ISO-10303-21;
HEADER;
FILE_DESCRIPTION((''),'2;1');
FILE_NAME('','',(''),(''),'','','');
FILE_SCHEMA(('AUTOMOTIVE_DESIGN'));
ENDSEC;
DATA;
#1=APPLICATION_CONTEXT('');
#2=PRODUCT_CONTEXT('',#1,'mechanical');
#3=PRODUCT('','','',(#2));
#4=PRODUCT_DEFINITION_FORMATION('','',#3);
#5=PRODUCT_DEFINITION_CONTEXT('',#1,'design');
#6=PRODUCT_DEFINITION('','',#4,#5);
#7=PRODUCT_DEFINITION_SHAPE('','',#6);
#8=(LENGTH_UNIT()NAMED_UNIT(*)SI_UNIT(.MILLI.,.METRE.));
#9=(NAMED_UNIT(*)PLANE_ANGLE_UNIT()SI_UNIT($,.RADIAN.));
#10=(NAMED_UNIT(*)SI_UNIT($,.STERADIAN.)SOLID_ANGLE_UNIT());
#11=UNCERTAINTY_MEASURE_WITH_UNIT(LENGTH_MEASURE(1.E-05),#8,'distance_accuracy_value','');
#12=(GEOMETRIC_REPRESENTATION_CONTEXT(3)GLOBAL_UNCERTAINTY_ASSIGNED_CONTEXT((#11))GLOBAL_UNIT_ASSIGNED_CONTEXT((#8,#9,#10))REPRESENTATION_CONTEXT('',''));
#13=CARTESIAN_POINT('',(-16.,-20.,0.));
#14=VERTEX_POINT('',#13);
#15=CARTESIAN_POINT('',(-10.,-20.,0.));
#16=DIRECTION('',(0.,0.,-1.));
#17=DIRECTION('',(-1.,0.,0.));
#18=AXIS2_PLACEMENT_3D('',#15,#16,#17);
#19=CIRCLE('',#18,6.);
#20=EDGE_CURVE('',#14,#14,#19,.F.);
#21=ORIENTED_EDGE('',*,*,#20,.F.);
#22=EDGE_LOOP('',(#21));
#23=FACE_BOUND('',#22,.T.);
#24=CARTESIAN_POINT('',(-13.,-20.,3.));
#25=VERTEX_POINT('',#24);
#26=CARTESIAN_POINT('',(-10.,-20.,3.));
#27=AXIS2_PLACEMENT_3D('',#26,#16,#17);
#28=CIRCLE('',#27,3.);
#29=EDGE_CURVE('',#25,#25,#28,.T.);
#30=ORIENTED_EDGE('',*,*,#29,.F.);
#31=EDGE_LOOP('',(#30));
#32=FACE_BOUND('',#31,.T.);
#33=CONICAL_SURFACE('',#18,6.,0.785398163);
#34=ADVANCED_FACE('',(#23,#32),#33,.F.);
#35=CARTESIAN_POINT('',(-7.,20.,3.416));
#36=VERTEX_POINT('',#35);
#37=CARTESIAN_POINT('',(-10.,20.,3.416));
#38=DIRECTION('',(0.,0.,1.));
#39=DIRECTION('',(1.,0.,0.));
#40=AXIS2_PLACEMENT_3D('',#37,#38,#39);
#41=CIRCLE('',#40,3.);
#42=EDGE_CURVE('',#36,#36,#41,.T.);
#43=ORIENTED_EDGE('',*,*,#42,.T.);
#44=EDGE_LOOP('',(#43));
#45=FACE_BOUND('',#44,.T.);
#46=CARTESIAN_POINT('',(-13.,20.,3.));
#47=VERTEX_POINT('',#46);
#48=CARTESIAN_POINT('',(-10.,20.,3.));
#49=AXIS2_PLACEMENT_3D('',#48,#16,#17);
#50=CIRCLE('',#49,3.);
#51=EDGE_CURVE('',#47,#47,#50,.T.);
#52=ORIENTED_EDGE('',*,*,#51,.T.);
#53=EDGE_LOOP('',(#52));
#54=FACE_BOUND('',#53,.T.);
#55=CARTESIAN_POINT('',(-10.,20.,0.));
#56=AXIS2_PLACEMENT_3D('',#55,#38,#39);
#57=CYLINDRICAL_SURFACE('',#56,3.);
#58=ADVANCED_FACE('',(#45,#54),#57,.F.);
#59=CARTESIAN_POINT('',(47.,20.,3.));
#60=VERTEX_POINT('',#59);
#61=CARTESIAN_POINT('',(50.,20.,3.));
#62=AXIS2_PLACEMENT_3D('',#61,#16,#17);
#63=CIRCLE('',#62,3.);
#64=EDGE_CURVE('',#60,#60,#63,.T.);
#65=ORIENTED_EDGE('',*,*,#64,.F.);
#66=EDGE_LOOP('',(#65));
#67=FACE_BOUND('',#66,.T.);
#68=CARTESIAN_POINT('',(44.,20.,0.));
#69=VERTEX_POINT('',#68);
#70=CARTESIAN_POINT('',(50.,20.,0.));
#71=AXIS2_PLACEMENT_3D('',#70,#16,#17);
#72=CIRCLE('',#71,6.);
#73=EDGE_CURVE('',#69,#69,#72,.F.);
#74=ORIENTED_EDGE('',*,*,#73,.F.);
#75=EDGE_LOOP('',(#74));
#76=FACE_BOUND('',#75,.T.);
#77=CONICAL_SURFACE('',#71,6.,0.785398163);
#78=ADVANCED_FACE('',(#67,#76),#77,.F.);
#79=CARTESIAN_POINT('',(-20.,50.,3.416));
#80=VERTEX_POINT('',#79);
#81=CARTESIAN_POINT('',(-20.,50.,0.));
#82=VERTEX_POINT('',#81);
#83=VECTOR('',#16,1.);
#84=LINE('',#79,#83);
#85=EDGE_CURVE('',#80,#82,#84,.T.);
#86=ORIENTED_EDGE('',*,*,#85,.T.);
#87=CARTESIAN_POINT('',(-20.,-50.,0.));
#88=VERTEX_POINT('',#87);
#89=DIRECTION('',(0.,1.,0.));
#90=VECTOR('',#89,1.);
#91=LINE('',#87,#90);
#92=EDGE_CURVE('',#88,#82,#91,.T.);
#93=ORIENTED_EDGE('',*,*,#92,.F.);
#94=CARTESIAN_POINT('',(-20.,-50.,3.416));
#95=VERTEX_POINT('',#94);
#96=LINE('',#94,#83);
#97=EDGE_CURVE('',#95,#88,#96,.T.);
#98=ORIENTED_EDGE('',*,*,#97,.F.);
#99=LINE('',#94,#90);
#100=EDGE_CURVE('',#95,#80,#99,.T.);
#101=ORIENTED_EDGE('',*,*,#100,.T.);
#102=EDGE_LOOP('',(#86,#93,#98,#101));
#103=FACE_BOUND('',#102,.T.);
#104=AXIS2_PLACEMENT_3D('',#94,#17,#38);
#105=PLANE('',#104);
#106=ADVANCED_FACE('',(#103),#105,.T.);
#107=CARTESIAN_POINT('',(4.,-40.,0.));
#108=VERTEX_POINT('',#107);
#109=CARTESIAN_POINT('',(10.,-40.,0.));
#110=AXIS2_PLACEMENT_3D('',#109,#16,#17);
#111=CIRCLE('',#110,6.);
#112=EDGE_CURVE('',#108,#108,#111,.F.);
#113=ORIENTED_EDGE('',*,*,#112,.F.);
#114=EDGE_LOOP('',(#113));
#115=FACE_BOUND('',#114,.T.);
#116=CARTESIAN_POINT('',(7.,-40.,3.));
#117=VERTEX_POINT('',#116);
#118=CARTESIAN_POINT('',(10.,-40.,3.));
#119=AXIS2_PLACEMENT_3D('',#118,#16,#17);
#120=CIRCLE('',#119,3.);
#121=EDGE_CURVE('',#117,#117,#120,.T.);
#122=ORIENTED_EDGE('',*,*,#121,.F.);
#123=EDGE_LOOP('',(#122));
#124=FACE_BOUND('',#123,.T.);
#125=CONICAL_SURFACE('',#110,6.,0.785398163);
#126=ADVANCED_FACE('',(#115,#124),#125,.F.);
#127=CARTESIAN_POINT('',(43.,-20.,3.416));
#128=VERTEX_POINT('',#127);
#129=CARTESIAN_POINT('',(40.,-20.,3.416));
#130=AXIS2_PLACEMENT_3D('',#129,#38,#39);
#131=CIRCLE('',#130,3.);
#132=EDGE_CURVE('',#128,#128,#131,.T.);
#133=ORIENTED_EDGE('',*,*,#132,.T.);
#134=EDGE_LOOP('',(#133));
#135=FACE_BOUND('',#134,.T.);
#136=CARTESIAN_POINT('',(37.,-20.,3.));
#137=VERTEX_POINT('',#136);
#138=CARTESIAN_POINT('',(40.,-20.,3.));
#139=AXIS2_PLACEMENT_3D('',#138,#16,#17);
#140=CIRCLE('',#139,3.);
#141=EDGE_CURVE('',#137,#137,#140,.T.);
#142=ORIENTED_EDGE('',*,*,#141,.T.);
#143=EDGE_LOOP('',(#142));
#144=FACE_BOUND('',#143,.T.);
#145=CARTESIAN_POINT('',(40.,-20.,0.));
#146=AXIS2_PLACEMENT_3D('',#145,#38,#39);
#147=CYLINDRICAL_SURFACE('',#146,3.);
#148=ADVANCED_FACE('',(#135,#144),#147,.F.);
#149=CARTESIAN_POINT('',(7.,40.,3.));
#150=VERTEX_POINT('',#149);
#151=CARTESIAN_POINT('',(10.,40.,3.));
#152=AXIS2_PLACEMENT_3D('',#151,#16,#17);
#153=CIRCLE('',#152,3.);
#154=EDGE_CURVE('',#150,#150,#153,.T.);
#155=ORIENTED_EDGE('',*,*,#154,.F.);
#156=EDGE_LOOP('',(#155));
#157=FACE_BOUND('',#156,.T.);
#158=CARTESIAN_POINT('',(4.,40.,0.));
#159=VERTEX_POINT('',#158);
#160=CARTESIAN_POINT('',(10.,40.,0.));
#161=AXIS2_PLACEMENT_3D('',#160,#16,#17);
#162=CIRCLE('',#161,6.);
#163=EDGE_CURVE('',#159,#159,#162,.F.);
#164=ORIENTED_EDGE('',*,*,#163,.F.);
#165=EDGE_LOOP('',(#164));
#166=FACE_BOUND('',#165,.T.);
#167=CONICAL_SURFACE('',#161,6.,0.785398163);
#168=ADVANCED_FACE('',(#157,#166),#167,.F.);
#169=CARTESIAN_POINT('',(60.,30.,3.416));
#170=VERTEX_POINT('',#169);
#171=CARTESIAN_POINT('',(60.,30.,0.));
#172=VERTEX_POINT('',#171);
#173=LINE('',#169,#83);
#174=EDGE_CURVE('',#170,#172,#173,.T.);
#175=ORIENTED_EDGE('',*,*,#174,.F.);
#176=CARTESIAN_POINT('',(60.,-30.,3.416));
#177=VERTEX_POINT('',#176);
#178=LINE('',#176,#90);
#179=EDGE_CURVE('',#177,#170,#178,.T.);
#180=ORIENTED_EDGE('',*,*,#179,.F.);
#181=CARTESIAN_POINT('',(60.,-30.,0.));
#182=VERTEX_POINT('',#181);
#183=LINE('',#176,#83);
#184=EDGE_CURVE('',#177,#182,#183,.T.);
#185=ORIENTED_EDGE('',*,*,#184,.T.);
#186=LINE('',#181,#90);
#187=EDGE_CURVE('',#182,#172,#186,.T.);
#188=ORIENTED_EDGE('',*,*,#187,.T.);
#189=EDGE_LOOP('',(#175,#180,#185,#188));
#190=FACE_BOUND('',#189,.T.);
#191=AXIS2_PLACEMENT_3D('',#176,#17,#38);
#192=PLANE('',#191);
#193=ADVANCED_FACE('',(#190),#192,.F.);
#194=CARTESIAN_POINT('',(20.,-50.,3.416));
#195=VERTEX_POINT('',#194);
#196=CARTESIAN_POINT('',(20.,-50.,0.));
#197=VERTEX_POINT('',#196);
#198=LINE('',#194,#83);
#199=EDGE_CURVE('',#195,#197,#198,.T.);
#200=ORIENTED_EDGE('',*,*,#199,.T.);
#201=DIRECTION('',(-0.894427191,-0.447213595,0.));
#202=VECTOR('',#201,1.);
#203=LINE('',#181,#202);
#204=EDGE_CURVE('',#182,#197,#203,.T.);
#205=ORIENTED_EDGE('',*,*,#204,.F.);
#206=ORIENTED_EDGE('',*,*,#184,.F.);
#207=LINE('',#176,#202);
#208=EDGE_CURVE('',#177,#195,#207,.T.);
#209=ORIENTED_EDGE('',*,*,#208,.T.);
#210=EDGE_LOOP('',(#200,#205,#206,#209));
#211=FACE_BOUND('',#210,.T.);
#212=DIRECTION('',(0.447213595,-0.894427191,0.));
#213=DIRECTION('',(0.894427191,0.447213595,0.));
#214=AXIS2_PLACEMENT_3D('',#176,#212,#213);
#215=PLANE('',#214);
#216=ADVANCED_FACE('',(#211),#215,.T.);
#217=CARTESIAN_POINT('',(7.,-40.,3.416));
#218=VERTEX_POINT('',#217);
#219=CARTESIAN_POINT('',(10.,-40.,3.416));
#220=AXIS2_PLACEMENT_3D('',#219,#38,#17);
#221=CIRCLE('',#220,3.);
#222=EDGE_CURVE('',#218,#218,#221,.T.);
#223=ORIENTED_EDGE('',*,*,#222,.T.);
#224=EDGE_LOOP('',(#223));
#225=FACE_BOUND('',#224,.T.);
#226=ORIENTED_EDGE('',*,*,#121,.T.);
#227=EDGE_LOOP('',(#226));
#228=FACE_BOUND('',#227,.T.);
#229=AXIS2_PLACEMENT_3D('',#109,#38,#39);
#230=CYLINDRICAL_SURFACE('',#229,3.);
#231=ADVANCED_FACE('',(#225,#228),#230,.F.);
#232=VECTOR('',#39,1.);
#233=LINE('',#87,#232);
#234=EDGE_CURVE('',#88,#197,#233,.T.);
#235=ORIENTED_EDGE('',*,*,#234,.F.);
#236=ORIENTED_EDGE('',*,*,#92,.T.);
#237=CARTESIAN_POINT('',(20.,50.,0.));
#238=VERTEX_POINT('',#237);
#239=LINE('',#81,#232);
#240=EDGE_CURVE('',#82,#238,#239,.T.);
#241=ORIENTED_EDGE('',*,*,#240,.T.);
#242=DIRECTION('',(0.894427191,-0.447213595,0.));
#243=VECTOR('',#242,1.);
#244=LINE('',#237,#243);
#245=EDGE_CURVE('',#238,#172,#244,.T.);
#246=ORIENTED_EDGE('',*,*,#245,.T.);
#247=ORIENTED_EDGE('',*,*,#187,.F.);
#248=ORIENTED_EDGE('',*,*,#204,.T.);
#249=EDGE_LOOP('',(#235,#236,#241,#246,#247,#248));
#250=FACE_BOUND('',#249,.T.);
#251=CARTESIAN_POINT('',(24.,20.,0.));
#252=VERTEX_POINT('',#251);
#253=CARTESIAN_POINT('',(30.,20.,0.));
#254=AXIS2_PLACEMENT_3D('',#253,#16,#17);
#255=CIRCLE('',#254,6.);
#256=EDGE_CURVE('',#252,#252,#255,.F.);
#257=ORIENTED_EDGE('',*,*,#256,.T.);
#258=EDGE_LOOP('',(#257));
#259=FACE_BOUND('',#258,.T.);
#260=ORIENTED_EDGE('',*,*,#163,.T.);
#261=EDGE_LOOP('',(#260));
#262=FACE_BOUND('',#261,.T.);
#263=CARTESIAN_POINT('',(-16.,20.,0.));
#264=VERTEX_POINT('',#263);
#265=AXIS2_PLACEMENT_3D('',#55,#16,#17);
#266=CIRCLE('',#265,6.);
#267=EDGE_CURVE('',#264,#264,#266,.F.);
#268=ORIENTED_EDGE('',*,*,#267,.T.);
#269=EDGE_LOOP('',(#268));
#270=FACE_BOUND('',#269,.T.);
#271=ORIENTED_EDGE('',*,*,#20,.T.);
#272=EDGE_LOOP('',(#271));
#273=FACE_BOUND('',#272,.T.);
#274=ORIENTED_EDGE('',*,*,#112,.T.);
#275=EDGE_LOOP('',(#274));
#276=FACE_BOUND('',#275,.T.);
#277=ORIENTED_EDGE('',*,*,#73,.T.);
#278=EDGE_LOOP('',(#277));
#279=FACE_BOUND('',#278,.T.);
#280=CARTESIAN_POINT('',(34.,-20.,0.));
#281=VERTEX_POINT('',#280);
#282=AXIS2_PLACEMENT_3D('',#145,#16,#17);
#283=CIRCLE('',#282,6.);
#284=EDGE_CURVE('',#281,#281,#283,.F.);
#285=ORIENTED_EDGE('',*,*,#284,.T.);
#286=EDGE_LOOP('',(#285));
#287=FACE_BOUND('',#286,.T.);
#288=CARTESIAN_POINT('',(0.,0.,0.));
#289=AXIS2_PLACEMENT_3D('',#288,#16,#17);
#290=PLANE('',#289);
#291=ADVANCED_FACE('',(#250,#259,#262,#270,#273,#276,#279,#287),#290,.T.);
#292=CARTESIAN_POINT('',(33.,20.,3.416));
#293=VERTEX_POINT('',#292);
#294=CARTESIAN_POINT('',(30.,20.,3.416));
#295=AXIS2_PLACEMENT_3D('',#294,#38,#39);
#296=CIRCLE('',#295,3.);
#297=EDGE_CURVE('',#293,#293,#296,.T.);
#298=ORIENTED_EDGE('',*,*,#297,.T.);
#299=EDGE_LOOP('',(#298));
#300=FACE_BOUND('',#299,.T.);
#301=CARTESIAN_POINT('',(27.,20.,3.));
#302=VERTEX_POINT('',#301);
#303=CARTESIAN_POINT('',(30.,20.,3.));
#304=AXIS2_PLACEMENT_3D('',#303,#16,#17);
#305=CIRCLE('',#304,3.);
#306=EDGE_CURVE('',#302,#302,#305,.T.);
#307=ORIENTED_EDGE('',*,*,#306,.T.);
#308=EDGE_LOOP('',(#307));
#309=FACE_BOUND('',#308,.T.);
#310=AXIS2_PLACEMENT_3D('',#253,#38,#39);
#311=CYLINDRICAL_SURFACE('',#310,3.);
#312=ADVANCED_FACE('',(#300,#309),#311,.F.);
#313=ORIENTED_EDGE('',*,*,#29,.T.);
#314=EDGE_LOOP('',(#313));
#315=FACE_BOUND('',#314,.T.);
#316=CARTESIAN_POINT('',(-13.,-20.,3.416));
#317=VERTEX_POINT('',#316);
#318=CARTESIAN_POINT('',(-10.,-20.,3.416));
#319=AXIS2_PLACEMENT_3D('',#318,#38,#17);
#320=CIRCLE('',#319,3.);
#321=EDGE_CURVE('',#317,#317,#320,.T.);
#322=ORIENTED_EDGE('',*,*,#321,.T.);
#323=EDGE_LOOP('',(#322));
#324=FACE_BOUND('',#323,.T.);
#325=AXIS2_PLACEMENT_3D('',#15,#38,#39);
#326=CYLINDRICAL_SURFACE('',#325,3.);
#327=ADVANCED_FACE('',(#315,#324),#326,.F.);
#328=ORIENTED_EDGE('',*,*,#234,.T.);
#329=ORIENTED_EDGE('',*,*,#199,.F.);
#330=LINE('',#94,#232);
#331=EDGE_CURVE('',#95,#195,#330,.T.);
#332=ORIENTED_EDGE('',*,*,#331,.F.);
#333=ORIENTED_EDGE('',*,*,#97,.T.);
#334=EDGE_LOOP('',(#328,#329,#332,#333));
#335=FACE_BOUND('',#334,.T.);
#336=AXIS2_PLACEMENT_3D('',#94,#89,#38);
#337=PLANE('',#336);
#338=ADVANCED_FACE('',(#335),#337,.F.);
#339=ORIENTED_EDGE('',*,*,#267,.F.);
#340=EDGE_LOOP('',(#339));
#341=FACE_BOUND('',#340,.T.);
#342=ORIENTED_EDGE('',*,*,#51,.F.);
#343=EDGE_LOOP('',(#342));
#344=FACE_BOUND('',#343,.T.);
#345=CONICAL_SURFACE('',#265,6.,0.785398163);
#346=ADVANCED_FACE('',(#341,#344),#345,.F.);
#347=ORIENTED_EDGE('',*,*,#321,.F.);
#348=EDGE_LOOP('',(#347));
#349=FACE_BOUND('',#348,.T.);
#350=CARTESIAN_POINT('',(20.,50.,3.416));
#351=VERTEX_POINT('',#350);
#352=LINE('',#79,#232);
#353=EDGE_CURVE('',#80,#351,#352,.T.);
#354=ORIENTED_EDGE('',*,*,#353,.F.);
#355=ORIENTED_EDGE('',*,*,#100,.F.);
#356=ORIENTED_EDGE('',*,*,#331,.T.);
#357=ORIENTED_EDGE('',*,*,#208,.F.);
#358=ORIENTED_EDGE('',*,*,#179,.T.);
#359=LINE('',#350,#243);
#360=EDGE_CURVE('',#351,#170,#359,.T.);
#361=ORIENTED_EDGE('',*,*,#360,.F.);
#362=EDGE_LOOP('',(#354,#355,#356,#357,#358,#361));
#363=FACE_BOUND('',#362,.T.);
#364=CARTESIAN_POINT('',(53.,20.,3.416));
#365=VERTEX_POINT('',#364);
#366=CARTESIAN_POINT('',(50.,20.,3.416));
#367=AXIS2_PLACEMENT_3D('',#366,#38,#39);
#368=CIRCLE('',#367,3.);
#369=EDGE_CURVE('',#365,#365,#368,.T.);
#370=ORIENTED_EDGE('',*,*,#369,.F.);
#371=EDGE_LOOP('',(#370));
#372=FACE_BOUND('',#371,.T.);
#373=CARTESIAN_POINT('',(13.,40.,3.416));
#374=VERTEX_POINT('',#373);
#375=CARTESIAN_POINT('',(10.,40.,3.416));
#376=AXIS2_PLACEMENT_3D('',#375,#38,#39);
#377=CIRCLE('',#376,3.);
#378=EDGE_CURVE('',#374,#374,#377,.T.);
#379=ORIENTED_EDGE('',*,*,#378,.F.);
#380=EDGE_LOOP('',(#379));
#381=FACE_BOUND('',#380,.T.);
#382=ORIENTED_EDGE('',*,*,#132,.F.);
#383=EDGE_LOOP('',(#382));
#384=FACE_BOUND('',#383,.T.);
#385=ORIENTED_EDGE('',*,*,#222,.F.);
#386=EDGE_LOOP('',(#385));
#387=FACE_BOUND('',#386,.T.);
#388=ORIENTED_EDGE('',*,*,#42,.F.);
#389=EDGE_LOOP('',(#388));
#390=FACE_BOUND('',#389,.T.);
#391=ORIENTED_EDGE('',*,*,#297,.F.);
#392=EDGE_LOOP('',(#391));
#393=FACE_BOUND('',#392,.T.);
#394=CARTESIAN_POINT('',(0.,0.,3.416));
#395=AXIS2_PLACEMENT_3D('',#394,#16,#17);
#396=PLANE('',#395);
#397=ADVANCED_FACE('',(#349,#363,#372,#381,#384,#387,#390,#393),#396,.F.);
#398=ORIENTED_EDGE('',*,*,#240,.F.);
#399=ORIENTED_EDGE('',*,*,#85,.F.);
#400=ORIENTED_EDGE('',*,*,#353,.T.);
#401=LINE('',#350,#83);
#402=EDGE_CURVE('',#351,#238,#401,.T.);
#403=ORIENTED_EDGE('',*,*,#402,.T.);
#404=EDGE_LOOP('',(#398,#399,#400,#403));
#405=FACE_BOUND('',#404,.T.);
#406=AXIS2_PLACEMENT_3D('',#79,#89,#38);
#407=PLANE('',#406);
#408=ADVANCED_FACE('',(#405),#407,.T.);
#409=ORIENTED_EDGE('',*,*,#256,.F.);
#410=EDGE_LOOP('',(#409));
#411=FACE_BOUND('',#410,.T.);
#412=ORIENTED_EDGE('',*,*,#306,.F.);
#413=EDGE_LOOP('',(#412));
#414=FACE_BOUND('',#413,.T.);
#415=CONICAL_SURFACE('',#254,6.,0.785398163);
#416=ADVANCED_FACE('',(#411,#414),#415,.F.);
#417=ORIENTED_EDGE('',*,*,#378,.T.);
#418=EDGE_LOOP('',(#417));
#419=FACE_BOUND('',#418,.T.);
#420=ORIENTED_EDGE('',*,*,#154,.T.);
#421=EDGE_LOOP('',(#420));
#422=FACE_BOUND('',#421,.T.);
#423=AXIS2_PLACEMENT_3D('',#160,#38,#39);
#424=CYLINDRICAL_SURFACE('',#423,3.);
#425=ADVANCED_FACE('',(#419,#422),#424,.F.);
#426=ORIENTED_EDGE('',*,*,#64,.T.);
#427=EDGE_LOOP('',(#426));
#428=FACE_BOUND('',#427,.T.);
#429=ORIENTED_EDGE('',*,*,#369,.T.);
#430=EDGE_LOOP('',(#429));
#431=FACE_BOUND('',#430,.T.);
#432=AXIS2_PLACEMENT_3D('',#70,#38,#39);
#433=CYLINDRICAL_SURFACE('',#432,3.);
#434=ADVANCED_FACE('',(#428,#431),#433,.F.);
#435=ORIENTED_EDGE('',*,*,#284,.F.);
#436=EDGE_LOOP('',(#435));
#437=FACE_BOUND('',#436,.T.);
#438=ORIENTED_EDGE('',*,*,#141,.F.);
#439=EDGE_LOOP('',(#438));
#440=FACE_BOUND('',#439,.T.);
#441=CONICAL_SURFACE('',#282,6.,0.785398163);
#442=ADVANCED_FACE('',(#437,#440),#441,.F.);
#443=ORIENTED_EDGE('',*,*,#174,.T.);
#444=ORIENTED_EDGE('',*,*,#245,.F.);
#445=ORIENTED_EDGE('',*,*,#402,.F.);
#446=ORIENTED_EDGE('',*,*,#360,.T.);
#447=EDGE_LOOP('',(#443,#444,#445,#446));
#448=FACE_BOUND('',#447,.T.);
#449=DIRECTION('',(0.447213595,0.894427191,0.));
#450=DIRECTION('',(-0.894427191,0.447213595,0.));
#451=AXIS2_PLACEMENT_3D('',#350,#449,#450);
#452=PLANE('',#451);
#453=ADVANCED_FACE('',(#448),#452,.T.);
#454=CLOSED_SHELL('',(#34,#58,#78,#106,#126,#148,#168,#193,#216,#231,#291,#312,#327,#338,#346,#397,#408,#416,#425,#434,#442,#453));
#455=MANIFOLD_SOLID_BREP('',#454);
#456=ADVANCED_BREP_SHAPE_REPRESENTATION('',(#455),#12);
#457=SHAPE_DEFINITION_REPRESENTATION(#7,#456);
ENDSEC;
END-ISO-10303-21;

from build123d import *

# Parameters (mm, degrees)
BOSS_EXTRUDE1_DEPTH = 3.416
SKETCH2_R           = 3
CUT_EXTRUDE1_DEPTH  = 4.416
CHAMFER1_SIZE       = 3


with BuildPart() as part:
    # Sketch1 → Boss-Extrude1 (new body)
    with BuildSketch(Plane.XY):
        Polygon((-20, -50), (20, -50), (60, -30), (60, 30), (20, 50), (-20, 50), align=None)
    extrude(amount=BOSS_EXTRUDE1_DEPTH)

    # Sketch2 → Cut-Extrude1 (cut, through all)
    with BuildSketch(Plane.XY.offset(3.416)):
        with Locations((-10, 20)):
            Circle(SKETCH2_R)
        with Locations((10, 40)):
            Circle(SKETCH2_R)
        with Locations((30, 20)):
            Circle(SKETCH2_R)
        with Locations((50, 20)):
            Circle(SKETCH2_R)
        with Locations((-10, -20)):
            Circle(SKETCH2_R)
        with Locations((10, -40)):
            Circle(SKETCH2_R)
        with Locations((40, -20)):
            Circle(SKETCH2_R)
    extrude(amount=-CUT_EXTRUDE1_DEPTH, mode=Mode.SUBTRACT)

    # Chamfer1
    chamfer1_edges = [part.edges().sort_by_distance(p)[0] for p in [
        (-13, -20, 0),
        (47, 20, 0),
        (27, 20, 0),
        (7, 40, 0),
        (7, -40, 0),
        (37, -20, 0),
        (-13, 20, 0),
    ]]
    chamfer(chamfer1_edges, length=CHAMFER1_SIZE)


solid = part.part
